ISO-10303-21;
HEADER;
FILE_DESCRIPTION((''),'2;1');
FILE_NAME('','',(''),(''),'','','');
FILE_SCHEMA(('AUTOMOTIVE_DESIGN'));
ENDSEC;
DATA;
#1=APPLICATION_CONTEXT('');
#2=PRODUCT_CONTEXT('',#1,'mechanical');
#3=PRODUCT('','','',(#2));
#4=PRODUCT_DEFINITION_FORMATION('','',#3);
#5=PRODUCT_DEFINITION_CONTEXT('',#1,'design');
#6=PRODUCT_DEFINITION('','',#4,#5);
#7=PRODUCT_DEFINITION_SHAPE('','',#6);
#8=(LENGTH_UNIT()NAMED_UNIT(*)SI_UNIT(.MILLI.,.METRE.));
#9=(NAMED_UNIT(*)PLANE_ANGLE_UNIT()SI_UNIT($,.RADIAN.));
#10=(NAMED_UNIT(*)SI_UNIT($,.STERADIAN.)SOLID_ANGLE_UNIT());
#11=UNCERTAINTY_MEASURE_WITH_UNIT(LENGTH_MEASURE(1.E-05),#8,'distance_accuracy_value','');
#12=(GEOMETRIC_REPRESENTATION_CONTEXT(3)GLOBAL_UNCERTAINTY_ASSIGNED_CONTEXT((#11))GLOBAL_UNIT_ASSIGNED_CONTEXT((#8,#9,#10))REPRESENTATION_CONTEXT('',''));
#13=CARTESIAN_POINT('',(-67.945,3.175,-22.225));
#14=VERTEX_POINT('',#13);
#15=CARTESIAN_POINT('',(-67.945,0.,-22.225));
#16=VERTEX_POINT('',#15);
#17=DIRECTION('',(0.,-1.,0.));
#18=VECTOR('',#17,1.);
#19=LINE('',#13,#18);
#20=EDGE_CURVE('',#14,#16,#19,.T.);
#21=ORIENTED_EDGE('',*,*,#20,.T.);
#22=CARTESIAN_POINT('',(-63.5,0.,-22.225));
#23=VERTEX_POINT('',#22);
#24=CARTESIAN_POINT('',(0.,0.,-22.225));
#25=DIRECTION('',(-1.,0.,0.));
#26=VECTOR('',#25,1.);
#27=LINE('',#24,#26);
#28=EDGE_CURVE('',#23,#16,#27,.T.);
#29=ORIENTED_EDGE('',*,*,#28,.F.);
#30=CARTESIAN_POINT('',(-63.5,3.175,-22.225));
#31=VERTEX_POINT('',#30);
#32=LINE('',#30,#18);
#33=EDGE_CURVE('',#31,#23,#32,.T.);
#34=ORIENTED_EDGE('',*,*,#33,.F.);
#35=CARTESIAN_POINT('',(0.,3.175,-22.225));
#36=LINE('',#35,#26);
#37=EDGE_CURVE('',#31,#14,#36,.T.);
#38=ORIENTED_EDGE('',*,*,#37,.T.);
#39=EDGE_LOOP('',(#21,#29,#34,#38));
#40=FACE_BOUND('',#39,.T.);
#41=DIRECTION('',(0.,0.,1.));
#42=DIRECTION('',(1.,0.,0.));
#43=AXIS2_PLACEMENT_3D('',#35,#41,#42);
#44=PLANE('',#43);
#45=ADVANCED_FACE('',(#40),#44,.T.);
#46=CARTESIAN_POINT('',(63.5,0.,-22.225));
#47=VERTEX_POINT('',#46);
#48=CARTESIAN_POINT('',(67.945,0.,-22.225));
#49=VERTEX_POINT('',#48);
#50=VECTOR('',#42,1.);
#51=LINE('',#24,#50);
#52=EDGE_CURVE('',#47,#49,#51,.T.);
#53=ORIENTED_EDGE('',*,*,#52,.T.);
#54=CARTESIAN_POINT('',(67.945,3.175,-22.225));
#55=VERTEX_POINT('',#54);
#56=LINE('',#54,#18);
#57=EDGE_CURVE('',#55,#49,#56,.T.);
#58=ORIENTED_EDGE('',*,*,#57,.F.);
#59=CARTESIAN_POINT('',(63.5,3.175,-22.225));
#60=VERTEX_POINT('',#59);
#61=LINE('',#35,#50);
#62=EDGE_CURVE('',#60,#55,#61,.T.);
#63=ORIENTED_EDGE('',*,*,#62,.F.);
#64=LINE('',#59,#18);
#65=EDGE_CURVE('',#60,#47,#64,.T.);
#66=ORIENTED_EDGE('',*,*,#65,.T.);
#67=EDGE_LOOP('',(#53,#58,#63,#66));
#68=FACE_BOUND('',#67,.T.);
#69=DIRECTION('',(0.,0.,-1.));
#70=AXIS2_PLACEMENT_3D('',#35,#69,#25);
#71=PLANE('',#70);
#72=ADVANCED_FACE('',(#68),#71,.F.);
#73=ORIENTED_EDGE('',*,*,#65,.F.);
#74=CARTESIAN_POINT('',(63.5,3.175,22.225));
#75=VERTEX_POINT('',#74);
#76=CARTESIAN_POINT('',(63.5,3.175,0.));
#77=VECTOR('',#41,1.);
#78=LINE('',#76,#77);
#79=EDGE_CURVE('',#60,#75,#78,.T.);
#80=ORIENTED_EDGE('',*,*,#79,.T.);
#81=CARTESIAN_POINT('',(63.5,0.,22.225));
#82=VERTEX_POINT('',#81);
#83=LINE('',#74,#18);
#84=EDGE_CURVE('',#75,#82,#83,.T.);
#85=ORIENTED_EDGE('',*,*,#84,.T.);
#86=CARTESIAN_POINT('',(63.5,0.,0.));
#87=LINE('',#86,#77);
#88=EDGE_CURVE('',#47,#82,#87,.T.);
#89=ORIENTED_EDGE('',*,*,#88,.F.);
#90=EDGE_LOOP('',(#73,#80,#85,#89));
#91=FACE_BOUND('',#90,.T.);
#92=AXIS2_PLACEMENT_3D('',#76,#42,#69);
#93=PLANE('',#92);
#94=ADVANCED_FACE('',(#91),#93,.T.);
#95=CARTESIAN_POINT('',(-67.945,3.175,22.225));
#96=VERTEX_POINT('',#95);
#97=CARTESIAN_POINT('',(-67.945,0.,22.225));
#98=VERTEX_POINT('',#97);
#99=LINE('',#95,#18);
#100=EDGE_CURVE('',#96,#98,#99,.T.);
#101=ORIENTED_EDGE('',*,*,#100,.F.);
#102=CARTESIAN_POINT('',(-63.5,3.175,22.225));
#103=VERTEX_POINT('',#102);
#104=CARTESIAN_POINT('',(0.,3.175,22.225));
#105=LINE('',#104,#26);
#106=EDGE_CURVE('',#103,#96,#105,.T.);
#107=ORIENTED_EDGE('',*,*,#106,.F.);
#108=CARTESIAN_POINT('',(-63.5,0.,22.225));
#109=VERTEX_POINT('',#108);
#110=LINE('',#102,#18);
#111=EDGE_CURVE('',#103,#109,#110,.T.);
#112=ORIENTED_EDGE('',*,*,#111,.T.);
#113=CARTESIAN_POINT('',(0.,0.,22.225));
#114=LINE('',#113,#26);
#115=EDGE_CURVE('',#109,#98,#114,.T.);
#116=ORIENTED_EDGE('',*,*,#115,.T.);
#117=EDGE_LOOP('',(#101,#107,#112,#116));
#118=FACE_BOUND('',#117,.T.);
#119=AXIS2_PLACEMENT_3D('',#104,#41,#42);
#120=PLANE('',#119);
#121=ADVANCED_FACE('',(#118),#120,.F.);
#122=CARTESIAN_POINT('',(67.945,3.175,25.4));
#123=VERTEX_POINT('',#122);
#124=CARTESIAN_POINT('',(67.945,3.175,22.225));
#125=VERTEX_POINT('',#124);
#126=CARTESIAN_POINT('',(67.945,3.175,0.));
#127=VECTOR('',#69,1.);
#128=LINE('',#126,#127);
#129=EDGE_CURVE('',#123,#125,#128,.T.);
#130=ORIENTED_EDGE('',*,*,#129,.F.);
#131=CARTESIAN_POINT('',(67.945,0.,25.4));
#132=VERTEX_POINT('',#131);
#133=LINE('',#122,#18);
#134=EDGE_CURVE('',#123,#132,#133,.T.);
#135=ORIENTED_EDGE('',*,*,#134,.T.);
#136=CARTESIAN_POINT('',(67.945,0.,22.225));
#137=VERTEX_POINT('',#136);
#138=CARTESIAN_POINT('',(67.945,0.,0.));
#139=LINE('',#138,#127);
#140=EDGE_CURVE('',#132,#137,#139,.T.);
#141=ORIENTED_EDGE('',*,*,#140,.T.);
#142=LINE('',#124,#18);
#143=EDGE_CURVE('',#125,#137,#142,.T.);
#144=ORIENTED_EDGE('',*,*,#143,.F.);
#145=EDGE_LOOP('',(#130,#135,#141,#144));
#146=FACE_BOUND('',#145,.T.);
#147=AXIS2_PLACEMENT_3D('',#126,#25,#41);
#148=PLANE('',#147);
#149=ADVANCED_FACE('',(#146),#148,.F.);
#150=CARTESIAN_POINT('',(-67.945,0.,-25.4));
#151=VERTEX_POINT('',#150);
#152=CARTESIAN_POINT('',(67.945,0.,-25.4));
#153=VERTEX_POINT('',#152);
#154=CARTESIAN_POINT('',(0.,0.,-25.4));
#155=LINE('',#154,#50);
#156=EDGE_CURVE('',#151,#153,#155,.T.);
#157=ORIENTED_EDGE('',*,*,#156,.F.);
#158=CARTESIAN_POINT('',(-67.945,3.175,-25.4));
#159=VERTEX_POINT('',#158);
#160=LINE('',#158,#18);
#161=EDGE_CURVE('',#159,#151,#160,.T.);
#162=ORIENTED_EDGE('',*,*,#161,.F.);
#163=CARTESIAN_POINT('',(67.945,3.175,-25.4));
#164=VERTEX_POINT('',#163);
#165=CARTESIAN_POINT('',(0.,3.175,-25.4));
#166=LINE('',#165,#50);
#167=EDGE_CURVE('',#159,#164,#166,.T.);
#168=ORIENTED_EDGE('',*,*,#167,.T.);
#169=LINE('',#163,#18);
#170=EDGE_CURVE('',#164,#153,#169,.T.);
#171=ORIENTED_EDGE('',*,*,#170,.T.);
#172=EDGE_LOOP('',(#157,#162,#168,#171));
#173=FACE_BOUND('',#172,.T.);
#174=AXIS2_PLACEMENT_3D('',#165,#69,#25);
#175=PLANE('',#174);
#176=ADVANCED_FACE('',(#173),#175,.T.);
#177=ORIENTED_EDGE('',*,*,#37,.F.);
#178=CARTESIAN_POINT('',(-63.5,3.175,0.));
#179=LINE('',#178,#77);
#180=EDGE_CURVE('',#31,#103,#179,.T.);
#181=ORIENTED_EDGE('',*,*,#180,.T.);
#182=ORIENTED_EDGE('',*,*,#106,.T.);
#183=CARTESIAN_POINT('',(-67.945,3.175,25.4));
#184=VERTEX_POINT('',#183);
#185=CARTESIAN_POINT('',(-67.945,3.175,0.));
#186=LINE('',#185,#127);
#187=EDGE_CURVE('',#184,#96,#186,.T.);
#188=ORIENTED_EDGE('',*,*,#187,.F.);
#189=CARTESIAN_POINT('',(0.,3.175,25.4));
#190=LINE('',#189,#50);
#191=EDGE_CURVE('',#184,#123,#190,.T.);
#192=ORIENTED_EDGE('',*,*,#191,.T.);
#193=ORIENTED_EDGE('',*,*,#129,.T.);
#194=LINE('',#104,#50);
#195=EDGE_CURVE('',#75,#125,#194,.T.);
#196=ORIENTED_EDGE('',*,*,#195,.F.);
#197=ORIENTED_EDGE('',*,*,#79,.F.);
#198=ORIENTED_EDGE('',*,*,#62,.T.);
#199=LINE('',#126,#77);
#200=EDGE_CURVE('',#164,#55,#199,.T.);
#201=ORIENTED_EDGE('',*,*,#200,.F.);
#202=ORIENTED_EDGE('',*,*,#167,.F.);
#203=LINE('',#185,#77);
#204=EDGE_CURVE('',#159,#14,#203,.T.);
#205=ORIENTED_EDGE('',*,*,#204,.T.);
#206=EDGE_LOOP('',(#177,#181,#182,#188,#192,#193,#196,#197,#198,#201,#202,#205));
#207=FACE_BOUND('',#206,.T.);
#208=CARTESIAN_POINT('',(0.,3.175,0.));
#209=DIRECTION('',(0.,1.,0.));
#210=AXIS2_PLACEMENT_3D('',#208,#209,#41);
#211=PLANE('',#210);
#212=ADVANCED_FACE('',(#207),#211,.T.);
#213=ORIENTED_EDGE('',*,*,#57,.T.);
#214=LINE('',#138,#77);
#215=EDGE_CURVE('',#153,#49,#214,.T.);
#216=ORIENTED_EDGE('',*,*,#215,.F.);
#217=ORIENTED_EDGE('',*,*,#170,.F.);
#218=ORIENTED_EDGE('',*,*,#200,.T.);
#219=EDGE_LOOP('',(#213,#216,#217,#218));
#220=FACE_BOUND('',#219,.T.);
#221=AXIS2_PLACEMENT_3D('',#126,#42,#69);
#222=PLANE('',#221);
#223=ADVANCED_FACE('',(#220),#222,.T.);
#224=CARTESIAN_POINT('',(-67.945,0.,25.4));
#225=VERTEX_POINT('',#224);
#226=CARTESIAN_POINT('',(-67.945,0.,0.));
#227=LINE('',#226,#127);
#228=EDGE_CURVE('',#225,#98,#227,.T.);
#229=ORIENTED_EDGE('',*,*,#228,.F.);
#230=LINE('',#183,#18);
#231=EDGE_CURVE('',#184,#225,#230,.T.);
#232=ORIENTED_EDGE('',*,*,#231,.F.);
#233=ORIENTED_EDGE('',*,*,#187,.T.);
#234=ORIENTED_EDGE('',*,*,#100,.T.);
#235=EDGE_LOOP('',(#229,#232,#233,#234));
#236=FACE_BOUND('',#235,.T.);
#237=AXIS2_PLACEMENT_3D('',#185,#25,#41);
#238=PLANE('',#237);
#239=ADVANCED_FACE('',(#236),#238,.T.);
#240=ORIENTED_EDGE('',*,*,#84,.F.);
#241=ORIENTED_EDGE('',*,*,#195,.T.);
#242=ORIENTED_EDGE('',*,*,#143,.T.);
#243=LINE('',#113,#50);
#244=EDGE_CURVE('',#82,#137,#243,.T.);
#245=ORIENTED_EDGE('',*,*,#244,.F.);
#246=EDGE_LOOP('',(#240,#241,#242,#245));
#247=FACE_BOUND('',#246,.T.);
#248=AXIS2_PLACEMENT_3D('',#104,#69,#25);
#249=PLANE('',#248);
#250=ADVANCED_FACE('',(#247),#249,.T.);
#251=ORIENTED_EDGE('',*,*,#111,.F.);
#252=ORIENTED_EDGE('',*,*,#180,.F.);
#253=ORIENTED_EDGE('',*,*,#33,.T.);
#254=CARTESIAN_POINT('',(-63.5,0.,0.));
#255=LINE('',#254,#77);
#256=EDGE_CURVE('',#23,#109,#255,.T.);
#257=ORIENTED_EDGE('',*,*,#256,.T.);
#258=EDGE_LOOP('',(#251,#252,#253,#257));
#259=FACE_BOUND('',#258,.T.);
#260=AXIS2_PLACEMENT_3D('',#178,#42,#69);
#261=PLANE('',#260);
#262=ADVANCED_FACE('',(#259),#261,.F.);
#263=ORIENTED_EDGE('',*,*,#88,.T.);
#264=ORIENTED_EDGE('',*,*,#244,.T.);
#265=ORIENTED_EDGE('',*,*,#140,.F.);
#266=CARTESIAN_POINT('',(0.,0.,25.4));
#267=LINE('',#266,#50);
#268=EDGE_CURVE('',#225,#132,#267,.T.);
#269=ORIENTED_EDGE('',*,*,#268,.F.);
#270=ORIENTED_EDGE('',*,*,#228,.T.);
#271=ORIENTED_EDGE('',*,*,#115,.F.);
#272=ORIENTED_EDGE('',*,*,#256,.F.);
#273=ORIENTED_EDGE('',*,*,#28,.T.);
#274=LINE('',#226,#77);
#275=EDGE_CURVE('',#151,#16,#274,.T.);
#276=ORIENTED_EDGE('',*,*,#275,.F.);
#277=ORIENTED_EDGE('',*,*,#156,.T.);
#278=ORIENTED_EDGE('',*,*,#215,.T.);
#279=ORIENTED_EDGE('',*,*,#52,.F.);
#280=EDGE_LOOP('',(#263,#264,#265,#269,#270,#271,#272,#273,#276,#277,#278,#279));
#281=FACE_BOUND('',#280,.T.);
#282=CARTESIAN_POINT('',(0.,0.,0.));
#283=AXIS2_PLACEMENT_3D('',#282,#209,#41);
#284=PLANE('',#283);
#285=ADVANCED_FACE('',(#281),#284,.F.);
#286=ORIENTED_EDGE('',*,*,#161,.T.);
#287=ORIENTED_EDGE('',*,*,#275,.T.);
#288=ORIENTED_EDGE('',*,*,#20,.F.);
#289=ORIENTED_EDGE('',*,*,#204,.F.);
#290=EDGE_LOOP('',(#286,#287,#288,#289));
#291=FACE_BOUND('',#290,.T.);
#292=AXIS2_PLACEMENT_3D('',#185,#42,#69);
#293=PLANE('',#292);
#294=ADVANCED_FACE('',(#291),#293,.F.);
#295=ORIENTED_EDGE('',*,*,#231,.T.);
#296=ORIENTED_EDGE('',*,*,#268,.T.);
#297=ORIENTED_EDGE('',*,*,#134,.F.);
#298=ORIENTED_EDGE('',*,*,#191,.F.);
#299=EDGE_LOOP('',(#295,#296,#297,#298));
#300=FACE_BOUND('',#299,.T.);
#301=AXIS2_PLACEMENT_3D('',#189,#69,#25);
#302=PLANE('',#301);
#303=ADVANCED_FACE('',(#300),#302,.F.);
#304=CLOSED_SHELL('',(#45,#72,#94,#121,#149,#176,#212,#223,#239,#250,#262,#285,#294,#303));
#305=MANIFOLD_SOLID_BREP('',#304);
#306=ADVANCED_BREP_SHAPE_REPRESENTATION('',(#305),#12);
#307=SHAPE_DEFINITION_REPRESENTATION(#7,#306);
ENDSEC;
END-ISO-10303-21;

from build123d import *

# Parameters (mm, degrees)
SKETCH1_W           = 127
SKETCH1_H           = 50.8
SKETCH1_W_2         = 4.445
SKETCH1_H_2         = 3.175
BOSS_EXTRUDE1_DEPTH = 3.175


with BuildPart() as part:
    # Sketch1 → Boss-Extrude1 (new body)
    with BuildSketch(Plane(origin=(0, 0, 0), x_dir=(1, 0, 0), z_dir=(0, 1, 0))):
        Rectangle(SKETCH1_W, SKETCH1_H)
        with Locations((-65.7225, 23.8125)):
            Rectangle(SKETCH1_W_2, SKETCH1_H_2)
        with Locations((-65.7225, -23.8125)):
            Rectangle(SKETCH1_W_2, SKETCH1_H_2)
        with Locations((65.7225, -23.8125)):
            Rectangle(SKETCH1_W_2, SKETCH1_H_2)
        with Locations((65.7225, 23.8125)):
            Rectangle(SKETCH1_W_2, SKETCH1_H_2)
    extrude(amount=BOSS_EXTRUDE1_DEPTH)


solid = part.part
